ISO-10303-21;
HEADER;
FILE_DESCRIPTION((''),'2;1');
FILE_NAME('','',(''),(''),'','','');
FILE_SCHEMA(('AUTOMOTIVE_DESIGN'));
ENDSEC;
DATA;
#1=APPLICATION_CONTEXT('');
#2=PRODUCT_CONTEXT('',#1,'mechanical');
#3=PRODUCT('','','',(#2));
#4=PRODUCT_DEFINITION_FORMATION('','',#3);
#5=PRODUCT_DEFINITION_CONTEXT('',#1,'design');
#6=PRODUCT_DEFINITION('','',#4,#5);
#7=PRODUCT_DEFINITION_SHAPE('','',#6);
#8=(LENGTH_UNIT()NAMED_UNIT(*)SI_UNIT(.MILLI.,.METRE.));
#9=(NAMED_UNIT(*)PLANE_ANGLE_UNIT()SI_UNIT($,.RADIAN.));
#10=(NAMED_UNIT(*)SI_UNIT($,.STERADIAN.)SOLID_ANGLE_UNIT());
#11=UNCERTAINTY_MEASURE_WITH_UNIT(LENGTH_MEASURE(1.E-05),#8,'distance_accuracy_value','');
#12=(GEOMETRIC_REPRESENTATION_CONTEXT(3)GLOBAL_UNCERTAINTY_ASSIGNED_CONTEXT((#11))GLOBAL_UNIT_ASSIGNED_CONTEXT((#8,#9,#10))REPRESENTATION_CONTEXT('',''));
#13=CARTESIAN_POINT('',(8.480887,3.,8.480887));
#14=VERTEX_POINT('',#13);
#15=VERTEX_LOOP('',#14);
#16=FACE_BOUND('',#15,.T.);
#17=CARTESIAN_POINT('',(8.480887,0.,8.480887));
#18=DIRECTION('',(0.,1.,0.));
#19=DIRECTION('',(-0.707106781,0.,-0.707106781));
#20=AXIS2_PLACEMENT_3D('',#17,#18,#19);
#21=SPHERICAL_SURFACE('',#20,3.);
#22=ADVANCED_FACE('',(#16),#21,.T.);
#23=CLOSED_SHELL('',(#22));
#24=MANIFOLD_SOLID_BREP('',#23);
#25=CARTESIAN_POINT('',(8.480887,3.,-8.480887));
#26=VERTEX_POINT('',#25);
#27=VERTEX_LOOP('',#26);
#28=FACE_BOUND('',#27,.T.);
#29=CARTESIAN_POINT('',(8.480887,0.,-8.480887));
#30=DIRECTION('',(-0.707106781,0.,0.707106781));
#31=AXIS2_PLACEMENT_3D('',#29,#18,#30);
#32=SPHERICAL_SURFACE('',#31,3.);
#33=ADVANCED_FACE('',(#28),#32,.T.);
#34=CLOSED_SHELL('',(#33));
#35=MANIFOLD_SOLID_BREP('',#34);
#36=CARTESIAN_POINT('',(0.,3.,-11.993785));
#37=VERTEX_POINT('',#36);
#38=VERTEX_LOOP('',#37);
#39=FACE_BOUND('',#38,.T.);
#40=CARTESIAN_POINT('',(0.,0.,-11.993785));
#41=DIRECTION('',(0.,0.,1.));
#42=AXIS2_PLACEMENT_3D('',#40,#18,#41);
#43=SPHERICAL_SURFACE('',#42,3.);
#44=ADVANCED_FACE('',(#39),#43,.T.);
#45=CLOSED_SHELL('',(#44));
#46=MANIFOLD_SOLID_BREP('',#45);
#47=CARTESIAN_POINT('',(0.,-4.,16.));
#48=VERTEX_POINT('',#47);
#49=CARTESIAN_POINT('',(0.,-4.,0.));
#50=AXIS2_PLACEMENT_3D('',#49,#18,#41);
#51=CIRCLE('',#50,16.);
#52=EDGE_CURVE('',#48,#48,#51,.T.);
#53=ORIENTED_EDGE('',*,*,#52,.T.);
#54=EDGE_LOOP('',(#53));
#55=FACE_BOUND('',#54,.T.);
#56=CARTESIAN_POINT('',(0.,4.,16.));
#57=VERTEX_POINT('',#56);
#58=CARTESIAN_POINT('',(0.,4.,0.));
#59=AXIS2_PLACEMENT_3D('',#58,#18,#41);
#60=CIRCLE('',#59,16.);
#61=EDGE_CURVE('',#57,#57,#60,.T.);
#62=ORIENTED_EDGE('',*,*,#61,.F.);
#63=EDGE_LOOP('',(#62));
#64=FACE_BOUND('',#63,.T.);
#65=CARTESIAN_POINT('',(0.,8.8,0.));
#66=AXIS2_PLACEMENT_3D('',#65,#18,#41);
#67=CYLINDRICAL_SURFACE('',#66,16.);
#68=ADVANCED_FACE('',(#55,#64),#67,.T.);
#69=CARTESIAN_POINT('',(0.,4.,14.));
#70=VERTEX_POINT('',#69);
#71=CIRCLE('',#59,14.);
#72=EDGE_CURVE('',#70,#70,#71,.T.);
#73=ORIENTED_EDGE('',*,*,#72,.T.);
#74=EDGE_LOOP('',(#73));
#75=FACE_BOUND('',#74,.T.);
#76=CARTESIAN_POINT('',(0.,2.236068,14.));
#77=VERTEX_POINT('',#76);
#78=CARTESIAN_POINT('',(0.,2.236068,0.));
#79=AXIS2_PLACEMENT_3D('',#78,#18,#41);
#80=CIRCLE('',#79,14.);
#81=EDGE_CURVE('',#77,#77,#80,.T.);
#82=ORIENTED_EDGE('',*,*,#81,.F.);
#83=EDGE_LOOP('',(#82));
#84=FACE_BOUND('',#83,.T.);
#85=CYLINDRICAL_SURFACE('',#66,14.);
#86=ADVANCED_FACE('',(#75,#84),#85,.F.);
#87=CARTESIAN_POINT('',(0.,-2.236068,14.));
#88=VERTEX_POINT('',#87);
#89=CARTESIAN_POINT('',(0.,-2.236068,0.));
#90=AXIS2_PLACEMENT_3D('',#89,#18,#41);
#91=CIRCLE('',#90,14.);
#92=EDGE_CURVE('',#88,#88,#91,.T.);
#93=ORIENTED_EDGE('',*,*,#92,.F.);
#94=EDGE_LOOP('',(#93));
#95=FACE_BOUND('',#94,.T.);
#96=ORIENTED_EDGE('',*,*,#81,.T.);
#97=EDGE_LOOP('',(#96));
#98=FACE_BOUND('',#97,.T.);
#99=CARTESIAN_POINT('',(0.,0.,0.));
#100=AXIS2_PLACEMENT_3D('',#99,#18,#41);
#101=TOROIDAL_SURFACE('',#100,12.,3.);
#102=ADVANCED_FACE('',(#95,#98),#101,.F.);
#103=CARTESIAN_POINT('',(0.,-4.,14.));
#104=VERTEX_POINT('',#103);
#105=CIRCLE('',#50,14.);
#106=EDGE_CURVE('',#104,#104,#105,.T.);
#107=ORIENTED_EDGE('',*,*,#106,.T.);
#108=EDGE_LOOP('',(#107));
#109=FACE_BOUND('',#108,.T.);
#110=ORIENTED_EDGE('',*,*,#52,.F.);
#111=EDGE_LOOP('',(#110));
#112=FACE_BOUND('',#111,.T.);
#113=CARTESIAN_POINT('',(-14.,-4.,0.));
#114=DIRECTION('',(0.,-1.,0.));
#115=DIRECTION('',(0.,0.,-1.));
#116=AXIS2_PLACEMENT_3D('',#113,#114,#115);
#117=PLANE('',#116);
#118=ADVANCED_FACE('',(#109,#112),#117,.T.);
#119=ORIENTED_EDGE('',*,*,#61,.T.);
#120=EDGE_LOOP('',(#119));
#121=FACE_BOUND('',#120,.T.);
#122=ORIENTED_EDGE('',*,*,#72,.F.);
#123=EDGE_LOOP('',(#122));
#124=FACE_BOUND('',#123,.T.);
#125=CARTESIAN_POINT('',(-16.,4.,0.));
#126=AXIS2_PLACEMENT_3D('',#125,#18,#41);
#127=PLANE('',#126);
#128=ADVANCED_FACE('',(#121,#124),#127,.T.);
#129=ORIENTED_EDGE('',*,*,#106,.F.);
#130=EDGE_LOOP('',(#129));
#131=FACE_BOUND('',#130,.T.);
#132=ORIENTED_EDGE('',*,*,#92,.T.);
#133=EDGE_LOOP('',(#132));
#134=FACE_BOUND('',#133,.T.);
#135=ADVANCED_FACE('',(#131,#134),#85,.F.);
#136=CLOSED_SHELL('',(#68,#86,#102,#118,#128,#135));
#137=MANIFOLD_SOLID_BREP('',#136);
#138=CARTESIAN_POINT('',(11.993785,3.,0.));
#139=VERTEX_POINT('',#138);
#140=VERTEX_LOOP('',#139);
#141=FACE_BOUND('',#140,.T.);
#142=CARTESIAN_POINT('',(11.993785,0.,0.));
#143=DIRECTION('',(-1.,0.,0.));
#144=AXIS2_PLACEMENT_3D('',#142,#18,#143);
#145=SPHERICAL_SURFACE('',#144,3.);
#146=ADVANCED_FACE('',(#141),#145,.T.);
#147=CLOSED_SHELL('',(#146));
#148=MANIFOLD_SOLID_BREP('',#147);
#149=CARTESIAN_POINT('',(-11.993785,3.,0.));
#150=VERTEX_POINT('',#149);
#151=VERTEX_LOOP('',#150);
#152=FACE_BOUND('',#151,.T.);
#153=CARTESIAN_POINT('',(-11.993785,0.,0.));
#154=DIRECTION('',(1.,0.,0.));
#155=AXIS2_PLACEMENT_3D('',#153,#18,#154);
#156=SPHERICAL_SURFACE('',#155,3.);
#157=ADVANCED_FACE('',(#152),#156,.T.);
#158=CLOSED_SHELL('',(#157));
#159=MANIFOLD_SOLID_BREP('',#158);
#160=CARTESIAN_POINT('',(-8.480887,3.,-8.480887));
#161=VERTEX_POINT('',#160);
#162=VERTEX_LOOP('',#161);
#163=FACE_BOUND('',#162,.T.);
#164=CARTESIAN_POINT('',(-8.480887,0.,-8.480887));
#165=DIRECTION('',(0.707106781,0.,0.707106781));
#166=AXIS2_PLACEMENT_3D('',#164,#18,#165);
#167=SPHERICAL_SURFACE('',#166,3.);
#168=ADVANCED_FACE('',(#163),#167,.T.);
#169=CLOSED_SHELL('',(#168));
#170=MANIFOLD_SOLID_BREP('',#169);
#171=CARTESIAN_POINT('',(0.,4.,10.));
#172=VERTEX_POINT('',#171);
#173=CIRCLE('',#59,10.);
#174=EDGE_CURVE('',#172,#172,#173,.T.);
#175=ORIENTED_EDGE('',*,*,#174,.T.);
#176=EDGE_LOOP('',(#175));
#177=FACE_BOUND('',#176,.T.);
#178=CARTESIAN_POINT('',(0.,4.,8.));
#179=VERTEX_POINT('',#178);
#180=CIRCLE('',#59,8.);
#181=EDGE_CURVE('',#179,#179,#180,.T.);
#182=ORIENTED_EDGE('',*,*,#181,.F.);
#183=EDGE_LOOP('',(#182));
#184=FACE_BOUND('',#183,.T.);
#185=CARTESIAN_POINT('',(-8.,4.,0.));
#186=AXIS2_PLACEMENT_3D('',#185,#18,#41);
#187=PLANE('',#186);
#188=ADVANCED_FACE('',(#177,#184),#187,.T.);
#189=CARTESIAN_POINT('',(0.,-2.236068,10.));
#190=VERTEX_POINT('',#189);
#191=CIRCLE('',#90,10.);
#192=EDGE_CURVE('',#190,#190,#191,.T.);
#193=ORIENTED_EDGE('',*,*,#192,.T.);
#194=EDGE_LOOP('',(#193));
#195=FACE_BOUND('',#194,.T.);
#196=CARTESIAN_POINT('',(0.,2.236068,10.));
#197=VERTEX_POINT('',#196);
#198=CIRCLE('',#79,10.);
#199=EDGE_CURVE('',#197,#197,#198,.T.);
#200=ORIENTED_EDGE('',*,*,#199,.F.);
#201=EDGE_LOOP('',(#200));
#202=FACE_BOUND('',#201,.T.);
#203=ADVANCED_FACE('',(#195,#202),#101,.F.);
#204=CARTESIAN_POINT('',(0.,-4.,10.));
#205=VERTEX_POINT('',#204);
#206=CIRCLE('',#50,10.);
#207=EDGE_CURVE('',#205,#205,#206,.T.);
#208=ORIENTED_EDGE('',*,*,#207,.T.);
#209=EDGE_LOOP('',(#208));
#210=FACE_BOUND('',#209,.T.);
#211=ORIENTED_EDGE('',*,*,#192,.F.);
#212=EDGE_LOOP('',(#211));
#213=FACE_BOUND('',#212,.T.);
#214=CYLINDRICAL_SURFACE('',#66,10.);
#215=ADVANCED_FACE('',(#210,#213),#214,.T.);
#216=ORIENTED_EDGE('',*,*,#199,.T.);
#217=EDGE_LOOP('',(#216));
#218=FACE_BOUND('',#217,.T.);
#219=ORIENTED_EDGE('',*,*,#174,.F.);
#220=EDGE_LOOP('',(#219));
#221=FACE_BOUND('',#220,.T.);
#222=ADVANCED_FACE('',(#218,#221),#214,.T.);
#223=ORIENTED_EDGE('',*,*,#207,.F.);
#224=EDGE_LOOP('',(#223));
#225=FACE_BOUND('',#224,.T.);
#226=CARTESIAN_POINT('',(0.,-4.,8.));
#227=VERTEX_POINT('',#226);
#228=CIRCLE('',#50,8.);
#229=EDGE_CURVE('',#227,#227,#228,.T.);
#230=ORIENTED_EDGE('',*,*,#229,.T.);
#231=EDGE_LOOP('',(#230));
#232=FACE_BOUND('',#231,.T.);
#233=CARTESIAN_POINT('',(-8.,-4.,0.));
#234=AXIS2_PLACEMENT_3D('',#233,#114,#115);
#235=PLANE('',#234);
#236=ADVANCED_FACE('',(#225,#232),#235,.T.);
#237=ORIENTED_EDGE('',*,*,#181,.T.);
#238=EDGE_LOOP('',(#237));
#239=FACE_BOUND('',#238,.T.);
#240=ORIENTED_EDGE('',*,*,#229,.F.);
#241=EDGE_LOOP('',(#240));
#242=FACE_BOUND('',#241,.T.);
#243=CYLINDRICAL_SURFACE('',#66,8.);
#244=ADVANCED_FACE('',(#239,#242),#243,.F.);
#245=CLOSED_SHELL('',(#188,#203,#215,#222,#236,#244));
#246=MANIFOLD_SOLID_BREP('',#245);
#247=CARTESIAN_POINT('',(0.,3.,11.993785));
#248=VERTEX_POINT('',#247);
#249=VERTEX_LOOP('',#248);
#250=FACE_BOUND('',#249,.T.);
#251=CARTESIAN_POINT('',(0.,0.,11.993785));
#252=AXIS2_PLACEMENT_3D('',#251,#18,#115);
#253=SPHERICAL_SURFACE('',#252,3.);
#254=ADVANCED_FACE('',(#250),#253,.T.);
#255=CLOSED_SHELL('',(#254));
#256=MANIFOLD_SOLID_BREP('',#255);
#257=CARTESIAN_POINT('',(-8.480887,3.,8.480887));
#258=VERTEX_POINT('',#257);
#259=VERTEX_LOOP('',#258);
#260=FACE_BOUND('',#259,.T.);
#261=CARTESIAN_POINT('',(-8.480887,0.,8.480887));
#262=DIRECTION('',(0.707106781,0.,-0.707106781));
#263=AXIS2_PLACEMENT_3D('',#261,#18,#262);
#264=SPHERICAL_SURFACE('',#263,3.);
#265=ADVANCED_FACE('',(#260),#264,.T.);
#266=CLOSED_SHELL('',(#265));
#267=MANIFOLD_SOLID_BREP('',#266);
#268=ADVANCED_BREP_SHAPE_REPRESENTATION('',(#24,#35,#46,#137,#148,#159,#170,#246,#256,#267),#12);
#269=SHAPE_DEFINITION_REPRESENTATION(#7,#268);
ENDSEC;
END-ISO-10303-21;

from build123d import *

# Parameters (mm, degrees)
CIRPATTERN1_COUNT = 8


with BuildPart() as part:
    # Sketch2 → Revolve14 (revolve)
    with BuildSketch(Plane.XY):
        with BuildLine():
            Line((-11.993785116, 3), (-11.993785116, -3))
            ThreePointArc((-11.993785116, -3), (-8.993785116, 0), (-11.993785116, 3))
        make_face()
    revolve(axis=Axis((-11.993785116, 3, 0), (0, -1, 0)))


with BuildPart() as body_2:
    # Sketch1 → Revolve15 (revolve)
    with BuildSketch(Plane.XY, mode=Mode.PRIVATE) as revolve15_sk:
        with BuildLine():
            Line((-14, 4), (-14, 2.236067977))
            ThreePointArc((-14, 2.236067977), (-15, 0), (-14, -2.236067977))
            Line((-14, -2.236067977), (-14, -4))
            Line((-14, -4), (-16, -4))
            Line((-16, -4), (-16, 4))
            Line((-16, 4), (-14, 4))
        make_face()
        with BuildLine():
            Line((-8, -4), (-8, 4))
            Line((-8, 4), (-10, 4))
            Line((-10, 4), (-10, 2.236067977))
            ThreePointArc((-10, 2.236067977), (-9, 0), (-10, -2.236067977))
            Line((-10, -2.236067977), (-10, -4))
            Line((-10, -4), (-8, -4))
        make_face()
    revolve(revolve15_sk.sketch.rotate(Axis((0, 8.8, 0), (0, -1, 0)), 270), axis=Axis((0, 8.8, 0), (0, -1, 0)))


with BuildPart() as cirpattern1_1:
    # CirPattern1: pattern copy
    add(part.part.rotate(Axis((0, 0, 0), (0, 1, 0)), 1 * 360 / CIRPATTERN1_COUNT))


with BuildPart() as cirpattern1_2:
    # CirPattern1: pattern copy
    add(part.part.rotate(Axis((0, 0, 0), (0, 1, 0)), 2 * 360 / CIRPATTERN1_COUNT))


with BuildPart() as cirpattern1_3:
    # CirPattern1: pattern copy
    add(part.part.rotate(Axis((0, 0, 0), (0, 1, 0)), 3 * 360 / CIRPATTERN1_COUNT))


with BuildPart() as cirpattern1_4:
    # CirPattern1: pattern copy
    add(part.part.rotate(Axis((0, 0, 0), (0, 1, 0)), 4 * 360 / CIRPATTERN1_COUNT))


with BuildPart() as cirpattern1_5:
    # CirPattern1: pattern copy
    add(part.part.rotate(Axis((0, 0, 0), (0, 1, 0)), 5 * 360 / CIRPATTERN1_COUNT))


with BuildPart() as cirpattern1_6:
    # CirPattern1: pattern copy
    add(part.part.rotate(Axis((0, 0, 0), (0, 1, 0)), 6 * 360 / CIRPATTERN1_COUNT))


with BuildPart() as cirpattern1_7:
    # CirPattern1: pattern copy
    add(part.part.rotate(Axis((0, 0, 0), (0, 1, 0)), 7 * 360 / CIRPATTERN1_COUNT))


solid = Compound([part.part, body_2.part, cirpattern1_1.part, cirpattern1_2.part, cirpattern1_3.part, cirpattern1_4.part, cirpattern1_5.part, cirpattern1_6.part, cirpattern1_7.part])
